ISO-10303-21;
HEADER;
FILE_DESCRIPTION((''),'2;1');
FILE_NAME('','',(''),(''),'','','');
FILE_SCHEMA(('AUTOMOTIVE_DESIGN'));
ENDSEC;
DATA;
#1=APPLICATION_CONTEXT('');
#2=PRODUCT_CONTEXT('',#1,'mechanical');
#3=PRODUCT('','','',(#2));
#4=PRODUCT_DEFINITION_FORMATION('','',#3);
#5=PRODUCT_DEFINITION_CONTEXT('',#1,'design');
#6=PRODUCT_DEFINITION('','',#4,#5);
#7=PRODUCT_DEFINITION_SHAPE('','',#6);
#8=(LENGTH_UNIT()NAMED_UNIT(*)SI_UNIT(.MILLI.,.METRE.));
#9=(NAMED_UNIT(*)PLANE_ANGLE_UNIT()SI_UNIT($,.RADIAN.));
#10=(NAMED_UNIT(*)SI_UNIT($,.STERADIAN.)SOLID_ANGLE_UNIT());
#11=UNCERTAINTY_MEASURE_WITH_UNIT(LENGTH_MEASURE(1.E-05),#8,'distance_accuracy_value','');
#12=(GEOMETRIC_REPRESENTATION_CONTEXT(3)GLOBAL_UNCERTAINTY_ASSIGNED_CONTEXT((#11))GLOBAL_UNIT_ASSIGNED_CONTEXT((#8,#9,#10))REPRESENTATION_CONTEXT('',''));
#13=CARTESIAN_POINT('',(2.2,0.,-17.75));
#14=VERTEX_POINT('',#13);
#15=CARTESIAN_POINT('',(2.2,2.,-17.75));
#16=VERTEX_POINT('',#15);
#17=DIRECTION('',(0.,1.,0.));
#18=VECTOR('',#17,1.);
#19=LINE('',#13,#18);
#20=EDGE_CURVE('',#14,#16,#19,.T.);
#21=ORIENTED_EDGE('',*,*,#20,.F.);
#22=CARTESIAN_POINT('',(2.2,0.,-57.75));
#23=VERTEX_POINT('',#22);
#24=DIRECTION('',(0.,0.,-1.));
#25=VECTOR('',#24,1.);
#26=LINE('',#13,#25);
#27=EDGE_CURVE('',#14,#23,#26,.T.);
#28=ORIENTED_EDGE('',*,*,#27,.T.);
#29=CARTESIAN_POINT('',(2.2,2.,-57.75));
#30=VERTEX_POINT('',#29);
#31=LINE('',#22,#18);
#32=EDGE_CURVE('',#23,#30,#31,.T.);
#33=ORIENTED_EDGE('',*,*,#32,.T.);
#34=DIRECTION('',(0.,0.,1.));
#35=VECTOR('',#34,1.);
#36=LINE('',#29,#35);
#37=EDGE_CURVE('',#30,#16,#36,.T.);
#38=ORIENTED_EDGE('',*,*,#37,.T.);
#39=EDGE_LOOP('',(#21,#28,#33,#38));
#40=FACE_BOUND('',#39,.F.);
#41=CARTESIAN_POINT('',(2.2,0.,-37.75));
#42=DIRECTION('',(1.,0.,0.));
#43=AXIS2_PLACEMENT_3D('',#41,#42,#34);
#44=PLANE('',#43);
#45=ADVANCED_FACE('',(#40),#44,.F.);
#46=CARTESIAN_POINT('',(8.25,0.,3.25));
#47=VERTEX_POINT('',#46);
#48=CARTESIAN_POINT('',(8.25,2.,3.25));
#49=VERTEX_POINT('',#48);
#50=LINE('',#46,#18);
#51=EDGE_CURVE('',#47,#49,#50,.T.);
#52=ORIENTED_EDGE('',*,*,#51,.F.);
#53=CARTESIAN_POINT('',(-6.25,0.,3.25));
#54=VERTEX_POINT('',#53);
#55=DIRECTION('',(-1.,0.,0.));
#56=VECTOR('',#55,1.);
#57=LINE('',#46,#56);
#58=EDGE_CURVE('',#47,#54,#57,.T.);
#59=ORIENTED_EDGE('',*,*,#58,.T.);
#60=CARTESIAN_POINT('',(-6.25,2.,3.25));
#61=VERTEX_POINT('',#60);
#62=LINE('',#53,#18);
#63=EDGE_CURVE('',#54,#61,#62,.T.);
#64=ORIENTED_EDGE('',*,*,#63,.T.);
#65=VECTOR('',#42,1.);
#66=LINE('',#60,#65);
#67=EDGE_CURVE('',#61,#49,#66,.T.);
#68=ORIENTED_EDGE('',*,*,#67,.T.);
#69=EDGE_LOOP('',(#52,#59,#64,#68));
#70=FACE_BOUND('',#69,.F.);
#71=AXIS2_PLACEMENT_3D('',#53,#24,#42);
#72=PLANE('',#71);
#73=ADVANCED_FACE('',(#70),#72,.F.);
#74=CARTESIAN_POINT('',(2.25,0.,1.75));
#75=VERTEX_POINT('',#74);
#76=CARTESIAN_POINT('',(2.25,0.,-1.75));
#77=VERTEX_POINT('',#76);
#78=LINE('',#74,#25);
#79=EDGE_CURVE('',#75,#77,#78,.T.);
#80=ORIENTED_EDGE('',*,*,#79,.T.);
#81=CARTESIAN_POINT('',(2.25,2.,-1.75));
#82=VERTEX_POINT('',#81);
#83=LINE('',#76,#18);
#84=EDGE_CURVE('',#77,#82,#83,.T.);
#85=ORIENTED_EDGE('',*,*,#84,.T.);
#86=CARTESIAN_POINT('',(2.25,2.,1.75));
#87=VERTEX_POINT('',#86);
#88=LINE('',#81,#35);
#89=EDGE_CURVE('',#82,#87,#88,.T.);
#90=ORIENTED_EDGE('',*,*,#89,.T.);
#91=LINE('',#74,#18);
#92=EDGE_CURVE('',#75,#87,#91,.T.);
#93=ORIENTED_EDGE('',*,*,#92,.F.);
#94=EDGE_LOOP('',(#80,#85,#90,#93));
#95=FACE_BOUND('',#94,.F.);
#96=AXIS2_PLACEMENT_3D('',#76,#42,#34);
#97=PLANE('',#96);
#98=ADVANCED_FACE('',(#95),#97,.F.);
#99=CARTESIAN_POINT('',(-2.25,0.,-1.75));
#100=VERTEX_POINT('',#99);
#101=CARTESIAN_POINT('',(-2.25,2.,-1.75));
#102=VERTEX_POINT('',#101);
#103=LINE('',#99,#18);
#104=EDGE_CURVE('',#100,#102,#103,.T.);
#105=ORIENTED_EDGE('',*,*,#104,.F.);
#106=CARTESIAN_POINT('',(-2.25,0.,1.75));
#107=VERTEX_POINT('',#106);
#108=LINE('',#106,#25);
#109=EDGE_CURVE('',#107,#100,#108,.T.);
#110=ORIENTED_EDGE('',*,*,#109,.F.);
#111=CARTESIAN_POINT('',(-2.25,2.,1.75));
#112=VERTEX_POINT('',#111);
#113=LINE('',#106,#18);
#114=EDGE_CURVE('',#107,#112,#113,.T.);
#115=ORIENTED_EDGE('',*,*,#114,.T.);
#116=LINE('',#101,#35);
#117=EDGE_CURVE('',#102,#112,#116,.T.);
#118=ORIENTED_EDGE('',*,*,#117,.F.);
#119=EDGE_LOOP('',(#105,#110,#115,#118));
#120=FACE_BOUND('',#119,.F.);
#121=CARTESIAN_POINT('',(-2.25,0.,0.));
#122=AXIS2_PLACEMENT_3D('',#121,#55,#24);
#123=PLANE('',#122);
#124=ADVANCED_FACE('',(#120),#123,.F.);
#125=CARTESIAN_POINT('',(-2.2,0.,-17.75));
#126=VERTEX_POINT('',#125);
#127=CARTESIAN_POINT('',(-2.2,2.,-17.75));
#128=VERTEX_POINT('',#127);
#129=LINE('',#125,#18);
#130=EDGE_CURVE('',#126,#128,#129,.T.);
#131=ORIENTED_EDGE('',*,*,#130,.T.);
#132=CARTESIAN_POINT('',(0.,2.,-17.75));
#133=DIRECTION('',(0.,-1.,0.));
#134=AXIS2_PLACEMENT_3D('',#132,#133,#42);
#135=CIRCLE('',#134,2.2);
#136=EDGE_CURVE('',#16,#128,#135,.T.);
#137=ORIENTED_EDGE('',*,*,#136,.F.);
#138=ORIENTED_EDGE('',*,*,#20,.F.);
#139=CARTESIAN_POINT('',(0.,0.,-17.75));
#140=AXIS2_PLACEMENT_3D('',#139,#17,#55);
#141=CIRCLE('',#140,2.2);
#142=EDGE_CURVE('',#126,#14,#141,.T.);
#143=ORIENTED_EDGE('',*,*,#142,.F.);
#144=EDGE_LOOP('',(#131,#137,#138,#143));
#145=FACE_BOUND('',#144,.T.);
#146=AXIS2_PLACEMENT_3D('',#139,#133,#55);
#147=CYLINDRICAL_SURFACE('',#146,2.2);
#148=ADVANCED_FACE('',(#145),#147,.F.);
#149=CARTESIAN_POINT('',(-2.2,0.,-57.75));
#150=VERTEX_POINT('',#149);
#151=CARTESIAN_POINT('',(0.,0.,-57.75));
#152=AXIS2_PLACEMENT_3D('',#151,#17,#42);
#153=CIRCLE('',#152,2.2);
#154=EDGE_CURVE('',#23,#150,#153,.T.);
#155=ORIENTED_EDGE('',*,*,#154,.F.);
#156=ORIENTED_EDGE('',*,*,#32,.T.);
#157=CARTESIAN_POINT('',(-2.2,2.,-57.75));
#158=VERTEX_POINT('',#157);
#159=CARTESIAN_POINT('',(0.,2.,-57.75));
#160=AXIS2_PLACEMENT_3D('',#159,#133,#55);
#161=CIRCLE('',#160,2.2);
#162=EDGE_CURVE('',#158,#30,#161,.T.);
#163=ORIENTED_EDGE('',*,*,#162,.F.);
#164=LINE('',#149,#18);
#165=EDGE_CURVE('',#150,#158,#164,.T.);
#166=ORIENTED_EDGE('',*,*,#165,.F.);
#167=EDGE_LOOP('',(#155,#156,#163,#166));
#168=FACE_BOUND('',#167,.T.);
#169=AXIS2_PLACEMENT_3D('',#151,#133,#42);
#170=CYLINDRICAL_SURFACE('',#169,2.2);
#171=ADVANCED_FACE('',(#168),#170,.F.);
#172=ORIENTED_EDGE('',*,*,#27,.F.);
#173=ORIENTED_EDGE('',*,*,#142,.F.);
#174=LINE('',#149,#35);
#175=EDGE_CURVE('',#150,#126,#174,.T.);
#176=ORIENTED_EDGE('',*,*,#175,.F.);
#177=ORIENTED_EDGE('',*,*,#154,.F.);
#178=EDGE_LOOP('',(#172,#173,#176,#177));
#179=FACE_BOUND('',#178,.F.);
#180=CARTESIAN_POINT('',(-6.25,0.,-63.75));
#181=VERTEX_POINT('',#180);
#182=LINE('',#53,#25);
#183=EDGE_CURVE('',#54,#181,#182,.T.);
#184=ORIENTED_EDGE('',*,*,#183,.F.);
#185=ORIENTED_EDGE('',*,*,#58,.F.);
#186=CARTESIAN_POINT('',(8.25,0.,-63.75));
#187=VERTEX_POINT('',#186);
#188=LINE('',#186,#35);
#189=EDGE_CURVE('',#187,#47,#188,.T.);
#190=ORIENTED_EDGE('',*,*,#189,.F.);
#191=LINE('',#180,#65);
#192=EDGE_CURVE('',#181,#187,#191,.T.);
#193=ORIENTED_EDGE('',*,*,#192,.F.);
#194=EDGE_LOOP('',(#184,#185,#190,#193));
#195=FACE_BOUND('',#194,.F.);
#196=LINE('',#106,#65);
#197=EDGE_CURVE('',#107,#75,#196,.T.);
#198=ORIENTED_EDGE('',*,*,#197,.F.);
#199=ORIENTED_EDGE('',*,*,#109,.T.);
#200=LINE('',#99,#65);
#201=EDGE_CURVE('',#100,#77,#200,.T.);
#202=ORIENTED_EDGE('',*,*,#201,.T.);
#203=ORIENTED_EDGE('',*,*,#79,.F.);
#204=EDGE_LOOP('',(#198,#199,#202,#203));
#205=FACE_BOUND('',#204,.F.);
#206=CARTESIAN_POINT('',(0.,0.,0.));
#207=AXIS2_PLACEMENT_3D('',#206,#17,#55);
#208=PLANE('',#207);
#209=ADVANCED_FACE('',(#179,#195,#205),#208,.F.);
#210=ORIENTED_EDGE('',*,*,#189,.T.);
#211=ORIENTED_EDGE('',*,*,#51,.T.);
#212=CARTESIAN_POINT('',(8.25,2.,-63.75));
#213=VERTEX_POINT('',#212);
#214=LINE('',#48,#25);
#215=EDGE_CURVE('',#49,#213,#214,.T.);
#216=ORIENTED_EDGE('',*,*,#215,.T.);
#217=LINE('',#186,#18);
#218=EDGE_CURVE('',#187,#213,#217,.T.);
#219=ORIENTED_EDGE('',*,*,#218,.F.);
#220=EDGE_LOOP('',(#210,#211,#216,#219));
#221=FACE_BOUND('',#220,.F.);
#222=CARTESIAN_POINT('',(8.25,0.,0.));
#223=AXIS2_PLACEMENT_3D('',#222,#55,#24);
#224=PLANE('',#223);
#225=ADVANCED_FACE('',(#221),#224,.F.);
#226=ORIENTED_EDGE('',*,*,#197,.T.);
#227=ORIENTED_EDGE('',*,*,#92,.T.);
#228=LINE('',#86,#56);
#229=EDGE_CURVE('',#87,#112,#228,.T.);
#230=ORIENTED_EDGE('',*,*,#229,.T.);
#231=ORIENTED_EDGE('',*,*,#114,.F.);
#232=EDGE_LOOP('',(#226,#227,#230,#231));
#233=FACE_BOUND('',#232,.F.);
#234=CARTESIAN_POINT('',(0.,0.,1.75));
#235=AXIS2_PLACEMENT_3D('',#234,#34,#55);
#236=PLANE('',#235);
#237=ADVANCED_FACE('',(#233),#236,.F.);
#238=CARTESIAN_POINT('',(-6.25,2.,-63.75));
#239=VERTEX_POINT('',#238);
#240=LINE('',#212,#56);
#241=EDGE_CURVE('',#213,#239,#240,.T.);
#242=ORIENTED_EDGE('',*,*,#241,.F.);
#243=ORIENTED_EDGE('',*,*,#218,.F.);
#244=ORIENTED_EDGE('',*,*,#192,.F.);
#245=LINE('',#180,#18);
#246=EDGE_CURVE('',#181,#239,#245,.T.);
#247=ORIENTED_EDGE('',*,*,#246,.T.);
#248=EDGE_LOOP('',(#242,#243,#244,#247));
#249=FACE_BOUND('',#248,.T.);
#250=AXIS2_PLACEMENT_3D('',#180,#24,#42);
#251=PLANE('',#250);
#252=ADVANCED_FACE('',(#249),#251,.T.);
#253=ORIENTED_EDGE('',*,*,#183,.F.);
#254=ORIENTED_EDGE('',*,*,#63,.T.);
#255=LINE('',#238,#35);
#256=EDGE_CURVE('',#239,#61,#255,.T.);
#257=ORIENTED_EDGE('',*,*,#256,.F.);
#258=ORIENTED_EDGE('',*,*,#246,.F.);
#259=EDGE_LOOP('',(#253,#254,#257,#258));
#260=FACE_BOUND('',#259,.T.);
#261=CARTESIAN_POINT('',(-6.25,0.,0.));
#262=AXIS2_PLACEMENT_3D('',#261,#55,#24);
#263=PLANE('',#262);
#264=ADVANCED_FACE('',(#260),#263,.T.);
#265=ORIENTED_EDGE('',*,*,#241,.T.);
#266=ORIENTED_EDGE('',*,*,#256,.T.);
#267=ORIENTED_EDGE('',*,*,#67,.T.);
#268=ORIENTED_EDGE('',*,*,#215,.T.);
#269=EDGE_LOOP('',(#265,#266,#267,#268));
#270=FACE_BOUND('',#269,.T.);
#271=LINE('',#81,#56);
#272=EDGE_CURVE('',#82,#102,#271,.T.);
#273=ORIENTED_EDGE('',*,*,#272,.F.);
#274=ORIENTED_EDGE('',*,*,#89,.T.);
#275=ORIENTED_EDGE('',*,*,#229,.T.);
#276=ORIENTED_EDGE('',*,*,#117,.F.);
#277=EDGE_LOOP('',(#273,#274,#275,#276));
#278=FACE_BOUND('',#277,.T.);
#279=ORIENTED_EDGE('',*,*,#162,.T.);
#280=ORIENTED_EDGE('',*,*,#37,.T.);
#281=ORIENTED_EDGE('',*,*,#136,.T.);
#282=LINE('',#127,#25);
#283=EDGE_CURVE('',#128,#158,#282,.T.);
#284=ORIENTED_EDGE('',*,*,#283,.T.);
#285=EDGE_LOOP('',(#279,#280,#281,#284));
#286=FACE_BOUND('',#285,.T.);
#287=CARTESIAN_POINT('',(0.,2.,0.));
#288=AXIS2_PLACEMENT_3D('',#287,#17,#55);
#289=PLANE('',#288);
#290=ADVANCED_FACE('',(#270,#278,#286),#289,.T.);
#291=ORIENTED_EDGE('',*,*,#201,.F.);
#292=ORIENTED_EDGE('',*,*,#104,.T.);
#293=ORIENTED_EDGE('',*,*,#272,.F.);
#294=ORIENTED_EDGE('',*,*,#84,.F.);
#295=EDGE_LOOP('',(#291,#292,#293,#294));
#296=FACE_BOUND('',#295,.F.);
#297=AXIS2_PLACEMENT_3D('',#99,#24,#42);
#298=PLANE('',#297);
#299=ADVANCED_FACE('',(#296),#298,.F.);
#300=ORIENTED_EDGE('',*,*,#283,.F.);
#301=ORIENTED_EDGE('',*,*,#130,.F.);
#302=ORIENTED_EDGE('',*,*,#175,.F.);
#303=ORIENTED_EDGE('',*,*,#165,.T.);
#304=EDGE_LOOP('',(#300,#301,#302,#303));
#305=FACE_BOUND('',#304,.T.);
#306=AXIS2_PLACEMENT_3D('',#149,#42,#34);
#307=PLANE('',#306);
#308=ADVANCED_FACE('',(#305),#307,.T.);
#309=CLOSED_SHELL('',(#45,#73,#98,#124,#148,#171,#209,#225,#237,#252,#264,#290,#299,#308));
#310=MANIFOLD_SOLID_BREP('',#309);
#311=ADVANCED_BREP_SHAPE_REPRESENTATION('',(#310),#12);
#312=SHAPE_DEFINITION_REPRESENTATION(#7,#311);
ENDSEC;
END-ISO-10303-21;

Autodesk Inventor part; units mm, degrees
ref_plane "YZ Plane" through (0, 0, 0) normal (1, 0, 0) x (0, 1, 0)
ref_plane "XZ Plane" through (0, 0, 0) normal (0, 1, 0) x (-1, 0, 0)
ref_plane "XY Plane" through (0, 0, 0) normal (0, 0, 1) x (1, 0, 0)
sketch "Sketch2" plane through (0, 0, 0) normal (0, 1, 0) x (-1, 0, 0)
  line L0 (2.25, -1.75) -> (-2.25, -1.75)
  line L1 (-2.25, -1.75) -> (-2.25, 1.75)
  line L2 (-2.25, 1.75) -> (2.25, 1.75)
  line L3 (2.25, 1.75) -> (2.25, -1.75)
  line L4 (19.9632, 0) -> (-24.4134, 0) projected
  line L5 (0, -77.95) -> (0, 21.45) projected
  line L6 (6.25, 3.25) -> (-8.25, 3.25)
  line L7 (6.25, 3.25) -> (6.25, -63.75)
  line L8 (-8.25, 3.25) -> (-8.25, -63.75)
  line L9 (13.6237, 7.25) -> (-18.0739, 7.25) construction
  circle A0 centre (0, -37.75) radius 2.2
  arc A1 (-2.2, -57.75) -> (2.2, -57.75) centre (0, -57.75) ccw
  arc A2 (2.2, -17.75) -> (-2.2, -17.75) centre (0, -17.75) ccw
  line L10 (2.2, -57.75) -> (2.2, -17.75)
  line L11 (-2.2, -57.75) -> (-2.2, -17.75)
  line L12 (6.25, -63.75) -> (-8.25, -63.75)
  point P0 (0, 0)
  dimension "d0" = 3.5
  dimension "d1" = 4.5
  dimension "d2" = 1.5
  dimension "d3" = 4
  dimension "d4" = 6
  dimension "d5" = 4
  dimension "d6" = 4.4
  dimension "d7" = 45
  dimension "d8" = 4.4
  dimension "d9" = 4.4
  dimension "d10" = 20
  dimension "d11" = 20
  dimension "d12" = 6
extrude "Extrusion1" add sketch "Sketch2" along normal blind 2 contours L3 L4 L7 L12 L5 A1 L10 A2 L0 | L5 A2 L11 A1 L12 L8 L4 L1 L0 | L3 L2 L5 L6 L7 L4 | L4 L8 L6 L5 L2 L1
properties part number "hammock_arms"
